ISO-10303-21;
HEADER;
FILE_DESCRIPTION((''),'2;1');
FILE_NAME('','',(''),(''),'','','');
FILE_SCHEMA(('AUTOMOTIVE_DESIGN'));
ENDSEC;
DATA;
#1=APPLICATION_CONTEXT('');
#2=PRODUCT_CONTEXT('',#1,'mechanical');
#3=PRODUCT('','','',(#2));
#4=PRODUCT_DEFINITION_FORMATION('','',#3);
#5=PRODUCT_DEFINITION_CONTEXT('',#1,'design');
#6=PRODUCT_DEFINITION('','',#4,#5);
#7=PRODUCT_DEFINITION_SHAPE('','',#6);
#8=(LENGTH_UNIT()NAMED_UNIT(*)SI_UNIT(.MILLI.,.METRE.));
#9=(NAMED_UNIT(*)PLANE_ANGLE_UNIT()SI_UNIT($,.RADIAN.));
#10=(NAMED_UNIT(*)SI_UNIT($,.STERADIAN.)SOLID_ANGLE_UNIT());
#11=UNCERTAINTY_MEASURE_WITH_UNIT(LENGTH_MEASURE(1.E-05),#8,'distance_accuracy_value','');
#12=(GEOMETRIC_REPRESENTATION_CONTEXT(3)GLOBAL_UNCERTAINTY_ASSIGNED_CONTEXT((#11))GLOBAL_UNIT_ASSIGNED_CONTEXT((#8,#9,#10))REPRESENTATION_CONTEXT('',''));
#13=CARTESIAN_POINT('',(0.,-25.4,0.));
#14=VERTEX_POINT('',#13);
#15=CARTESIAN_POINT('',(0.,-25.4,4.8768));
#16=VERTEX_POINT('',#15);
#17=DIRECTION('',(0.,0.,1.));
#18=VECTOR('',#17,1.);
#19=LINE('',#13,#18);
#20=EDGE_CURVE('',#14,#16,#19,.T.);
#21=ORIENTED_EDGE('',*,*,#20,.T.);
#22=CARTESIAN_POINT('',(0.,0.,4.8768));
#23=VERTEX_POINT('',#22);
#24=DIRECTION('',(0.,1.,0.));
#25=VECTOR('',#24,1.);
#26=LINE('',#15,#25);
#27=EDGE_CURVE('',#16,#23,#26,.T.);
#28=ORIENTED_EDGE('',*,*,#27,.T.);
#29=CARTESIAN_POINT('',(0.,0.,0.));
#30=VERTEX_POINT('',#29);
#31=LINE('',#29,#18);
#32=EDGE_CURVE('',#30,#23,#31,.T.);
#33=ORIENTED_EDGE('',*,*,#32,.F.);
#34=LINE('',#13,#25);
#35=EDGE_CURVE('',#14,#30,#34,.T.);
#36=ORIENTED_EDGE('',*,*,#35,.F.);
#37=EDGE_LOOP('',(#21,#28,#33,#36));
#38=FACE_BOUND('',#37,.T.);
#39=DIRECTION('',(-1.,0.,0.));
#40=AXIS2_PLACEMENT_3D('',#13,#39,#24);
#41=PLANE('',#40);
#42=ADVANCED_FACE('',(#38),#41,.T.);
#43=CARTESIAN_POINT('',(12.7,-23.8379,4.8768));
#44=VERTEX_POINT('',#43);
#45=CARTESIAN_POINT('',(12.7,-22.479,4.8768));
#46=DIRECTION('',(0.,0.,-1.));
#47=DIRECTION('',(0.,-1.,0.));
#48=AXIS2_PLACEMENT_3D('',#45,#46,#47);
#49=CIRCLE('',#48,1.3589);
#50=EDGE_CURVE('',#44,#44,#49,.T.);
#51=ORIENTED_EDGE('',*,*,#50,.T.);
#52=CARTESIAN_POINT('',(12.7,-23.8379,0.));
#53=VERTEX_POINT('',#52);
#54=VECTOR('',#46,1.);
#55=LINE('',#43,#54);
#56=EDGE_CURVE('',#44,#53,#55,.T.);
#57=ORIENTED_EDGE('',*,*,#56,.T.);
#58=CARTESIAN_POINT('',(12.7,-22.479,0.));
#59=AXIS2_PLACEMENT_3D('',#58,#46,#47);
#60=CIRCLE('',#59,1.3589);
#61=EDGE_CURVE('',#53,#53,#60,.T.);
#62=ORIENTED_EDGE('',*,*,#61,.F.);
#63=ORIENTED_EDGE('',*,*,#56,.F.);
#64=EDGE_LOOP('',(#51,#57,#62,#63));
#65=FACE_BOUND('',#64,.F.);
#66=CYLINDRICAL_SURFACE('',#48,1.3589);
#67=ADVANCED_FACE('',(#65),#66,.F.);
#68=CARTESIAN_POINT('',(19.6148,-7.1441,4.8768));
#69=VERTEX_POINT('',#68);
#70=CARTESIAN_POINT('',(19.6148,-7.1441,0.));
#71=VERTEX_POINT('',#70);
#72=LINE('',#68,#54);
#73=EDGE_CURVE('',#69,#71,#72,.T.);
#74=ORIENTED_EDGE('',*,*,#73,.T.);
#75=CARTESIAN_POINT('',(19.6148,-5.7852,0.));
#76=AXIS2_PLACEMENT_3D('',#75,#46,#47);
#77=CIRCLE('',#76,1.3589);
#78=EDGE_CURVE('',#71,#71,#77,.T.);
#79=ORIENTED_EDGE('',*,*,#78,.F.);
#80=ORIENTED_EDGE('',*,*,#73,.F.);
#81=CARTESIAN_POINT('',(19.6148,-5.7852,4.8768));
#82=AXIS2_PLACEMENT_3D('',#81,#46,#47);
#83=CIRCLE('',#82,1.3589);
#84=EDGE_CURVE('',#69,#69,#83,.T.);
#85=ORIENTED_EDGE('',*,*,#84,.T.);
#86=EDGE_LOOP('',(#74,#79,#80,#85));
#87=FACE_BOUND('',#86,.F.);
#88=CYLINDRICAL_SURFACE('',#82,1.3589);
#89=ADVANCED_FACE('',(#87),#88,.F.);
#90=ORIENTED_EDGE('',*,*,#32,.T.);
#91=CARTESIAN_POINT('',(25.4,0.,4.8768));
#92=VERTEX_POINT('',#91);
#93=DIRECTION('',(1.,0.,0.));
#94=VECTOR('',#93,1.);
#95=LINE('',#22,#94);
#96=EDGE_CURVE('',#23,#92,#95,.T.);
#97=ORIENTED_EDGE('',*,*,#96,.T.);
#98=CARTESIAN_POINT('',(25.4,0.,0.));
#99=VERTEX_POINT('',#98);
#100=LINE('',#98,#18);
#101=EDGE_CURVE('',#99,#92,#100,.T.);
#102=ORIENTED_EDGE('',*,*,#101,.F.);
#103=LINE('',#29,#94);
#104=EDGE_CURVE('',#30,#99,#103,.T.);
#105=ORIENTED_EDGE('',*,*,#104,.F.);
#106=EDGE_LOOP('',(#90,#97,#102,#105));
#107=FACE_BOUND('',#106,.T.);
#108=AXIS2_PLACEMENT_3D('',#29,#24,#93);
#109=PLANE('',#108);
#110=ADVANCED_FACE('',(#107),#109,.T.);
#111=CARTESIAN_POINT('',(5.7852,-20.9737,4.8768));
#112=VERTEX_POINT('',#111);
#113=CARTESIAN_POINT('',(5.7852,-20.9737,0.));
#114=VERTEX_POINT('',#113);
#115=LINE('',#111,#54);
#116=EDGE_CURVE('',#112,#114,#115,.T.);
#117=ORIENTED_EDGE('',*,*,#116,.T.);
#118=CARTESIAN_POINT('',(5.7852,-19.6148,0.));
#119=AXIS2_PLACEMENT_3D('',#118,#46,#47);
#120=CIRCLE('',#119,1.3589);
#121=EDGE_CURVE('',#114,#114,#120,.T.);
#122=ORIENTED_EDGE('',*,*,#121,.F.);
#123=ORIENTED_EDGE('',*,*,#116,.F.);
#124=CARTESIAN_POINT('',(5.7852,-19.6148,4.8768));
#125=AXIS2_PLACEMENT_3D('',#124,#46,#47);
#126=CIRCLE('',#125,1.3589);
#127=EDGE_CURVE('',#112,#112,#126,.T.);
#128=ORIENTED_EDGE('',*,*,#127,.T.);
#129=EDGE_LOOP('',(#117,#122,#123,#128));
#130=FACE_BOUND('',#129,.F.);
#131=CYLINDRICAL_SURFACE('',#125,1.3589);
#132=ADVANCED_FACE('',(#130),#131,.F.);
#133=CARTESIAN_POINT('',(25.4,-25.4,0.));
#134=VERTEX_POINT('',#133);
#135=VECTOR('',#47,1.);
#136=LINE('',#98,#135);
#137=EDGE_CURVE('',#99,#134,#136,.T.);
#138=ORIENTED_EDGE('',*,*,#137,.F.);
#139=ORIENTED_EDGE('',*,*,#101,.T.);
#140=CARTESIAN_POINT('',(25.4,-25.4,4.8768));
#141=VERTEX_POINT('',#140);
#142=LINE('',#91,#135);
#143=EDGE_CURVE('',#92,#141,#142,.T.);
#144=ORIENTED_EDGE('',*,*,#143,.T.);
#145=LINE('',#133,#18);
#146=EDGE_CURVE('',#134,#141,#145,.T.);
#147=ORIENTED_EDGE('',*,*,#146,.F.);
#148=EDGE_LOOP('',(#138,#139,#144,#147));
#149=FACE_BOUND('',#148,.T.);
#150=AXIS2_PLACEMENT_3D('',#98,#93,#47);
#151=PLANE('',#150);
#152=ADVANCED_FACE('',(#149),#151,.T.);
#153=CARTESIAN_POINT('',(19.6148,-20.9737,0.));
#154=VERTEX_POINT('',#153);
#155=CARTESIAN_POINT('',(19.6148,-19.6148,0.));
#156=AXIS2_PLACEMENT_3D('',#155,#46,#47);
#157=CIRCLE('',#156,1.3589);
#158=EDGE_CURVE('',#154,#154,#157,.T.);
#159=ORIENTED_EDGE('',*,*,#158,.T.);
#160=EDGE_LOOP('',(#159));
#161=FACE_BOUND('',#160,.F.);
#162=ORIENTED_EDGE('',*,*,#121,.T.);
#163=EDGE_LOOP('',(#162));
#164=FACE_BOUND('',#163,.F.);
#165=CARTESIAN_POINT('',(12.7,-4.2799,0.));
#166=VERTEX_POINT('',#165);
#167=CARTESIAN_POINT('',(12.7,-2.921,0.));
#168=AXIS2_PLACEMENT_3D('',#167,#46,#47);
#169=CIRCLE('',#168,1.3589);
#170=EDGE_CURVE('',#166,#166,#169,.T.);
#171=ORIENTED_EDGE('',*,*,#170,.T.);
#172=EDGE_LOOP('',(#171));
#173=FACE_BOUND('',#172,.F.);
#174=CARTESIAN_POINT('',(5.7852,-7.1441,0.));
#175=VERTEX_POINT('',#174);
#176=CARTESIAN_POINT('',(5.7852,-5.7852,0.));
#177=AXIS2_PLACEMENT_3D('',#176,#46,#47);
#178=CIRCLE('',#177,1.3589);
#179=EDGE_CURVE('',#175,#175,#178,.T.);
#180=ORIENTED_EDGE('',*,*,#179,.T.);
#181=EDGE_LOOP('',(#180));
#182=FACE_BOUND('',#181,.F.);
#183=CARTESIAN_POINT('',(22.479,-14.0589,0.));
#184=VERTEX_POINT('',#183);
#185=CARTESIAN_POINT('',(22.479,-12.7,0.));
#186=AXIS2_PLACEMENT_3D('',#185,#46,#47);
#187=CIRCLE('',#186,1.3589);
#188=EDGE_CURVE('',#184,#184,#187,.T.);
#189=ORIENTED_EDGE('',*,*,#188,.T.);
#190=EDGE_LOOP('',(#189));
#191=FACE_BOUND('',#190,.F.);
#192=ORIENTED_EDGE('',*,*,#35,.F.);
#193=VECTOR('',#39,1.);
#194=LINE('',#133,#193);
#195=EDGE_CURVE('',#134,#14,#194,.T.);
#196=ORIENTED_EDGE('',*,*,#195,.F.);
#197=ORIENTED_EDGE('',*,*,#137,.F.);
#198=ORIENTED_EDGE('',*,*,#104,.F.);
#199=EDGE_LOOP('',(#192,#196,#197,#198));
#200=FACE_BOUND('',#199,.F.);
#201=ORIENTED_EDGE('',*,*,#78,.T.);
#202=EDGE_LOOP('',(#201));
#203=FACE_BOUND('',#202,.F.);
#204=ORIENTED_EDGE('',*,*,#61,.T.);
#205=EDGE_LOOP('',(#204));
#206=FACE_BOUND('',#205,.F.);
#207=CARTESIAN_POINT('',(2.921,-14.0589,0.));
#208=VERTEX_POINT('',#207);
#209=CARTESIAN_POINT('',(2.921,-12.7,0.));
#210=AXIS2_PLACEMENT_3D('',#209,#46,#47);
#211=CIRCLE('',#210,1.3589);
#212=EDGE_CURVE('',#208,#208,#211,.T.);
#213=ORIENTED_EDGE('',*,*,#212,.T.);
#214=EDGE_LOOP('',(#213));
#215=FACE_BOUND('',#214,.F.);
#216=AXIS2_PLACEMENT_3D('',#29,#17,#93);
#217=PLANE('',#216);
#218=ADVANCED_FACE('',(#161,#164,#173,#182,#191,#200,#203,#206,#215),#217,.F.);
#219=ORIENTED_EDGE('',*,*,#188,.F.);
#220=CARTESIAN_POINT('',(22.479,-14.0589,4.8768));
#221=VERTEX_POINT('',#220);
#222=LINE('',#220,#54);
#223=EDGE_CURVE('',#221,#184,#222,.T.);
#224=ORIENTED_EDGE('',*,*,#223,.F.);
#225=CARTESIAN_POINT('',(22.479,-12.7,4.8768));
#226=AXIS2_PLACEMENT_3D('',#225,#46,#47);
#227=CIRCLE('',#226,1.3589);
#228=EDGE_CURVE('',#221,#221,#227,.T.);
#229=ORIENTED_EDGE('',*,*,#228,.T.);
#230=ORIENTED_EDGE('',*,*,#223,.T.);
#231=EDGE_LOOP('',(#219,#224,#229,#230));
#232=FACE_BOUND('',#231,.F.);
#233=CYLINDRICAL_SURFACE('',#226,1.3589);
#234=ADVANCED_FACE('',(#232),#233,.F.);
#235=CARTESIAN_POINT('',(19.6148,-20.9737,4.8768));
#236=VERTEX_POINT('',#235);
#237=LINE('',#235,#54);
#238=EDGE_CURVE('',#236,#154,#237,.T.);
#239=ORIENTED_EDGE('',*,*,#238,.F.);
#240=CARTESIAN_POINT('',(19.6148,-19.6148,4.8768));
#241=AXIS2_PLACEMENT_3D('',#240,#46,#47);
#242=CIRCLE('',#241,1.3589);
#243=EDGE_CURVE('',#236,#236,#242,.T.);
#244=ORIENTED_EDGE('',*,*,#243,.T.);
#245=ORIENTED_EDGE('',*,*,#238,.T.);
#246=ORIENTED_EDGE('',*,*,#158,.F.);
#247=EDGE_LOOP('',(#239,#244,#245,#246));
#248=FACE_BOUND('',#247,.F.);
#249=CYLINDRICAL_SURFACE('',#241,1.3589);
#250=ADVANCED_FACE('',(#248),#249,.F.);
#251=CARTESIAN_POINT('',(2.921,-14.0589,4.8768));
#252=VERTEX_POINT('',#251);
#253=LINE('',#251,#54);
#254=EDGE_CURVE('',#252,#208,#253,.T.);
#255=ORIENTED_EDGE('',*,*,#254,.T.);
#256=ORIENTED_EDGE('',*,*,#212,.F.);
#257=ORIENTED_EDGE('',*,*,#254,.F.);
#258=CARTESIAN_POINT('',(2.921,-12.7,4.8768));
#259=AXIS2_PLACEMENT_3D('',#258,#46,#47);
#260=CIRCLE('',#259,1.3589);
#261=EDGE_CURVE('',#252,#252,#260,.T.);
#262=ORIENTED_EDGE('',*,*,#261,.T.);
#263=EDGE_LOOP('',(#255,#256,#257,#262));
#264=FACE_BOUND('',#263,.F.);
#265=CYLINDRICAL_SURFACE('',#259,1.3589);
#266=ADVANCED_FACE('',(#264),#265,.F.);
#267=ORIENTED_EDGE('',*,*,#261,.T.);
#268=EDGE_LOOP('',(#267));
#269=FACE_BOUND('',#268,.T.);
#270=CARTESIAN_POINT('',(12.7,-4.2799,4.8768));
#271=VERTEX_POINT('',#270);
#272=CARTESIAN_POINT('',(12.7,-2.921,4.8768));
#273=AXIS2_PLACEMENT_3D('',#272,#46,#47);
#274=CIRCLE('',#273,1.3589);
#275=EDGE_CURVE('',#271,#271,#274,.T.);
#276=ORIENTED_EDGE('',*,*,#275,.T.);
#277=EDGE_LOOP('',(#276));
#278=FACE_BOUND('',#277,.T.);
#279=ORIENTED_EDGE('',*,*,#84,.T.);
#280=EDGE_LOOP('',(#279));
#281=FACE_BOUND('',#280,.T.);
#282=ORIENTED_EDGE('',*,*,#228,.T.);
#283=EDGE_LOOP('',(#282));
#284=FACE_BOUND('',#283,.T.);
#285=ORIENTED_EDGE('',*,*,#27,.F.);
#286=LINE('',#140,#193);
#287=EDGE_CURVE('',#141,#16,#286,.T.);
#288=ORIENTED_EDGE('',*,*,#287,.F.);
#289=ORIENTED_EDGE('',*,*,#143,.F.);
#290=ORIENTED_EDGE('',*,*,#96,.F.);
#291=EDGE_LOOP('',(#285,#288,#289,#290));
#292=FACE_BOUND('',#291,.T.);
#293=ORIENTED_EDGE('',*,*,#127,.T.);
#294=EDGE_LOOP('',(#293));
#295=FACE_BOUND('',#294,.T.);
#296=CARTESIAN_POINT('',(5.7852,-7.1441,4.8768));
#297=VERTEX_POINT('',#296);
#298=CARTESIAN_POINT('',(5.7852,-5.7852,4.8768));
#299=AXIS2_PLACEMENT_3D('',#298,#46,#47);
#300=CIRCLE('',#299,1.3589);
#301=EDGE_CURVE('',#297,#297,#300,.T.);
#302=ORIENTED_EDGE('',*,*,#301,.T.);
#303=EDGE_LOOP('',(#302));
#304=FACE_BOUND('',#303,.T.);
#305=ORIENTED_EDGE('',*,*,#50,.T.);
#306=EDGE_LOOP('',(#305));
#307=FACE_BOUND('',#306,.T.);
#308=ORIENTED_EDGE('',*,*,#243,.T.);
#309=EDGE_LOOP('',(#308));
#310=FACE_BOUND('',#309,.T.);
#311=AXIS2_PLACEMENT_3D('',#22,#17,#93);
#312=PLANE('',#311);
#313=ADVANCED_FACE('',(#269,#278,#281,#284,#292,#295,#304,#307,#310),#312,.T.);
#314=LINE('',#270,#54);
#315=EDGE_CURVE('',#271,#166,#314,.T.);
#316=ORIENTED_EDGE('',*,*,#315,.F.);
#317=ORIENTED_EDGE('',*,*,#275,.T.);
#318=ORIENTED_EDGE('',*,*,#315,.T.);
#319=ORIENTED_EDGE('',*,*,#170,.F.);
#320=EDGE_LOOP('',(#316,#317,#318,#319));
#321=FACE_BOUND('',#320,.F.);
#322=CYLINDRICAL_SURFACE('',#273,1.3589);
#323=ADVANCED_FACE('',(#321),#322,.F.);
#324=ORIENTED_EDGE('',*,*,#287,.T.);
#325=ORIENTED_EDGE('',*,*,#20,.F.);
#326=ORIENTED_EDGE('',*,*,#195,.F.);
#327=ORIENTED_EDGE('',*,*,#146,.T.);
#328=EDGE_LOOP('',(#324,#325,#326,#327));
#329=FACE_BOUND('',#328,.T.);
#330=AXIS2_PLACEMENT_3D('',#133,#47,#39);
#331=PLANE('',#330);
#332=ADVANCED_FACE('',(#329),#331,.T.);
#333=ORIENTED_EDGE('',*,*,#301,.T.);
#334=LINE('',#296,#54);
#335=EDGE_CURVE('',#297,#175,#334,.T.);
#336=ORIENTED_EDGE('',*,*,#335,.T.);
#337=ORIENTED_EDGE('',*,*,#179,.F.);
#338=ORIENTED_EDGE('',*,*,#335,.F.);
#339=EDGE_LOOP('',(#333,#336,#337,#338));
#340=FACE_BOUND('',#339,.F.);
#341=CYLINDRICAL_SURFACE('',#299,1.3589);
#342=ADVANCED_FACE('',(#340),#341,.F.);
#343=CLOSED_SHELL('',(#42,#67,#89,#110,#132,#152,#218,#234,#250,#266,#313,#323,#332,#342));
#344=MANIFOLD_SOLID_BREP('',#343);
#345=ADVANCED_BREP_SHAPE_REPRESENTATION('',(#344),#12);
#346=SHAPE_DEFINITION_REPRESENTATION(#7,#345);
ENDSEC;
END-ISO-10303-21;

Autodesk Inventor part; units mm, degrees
ref_plane "YZ Plane" through (0, 0, 0) normal (1, 0, 0) x (0, 1, 0)
ref_plane "XZ Plane" through (0, 0, 0) normal (0, 1, 0) x (-1, 0, 0)
ref_plane "XY Plane" through (0, 0, 0) normal (0, 0, 1) x (1, 0, 0)
sketch "Sketch1" plane through (0, 0, 0) normal (0, 0, 1) x (1, 0, 0)
  line L0 (0, 0) -> (25.4, 0)
  line L1 (25.4, 0) -> (25.4, -25.4)
  line L2 (25.4, -25.4) -> (0, -25.4)
  line L3 (0, -25.4) -> (0, 0)
  dimension "d0" = 25.4
  dimension "d1" = 25.4
extrude "Extrusion1" add sketch "Sketch1" along normal blind 4.8768
sketch "Sketch2" plane through (0, 0, 4.8768) normal (0, 0, 1) x (1, 0, 0)
  line L0 (0, 0) -> (0, -25.4) projected
  line L1 (0, -12.7) -> (12.7, -12.7)
  line L2 (12.7, -12.7) -> (12.7, -2.921)
  point P0 (5.7852, -5.7852)
  point P1 (2.921, -12.7)
  point P2 (5.7852, -19.6148)
  point P3 (12.7, -22.479)
  point P4 (19.6148, -19.6148)
  point P5 (22.479, -12.7)
  point P6 (19.6148, -5.7852)
  dimension "d4" = 12.7
  dimension "d5" = 9.779
  dimension "d15" = 360
hole "Hole1" at (12.7, -2.921, 4.8768) at (19.6148, -5.7852, 4.8768) at (22.479, -12.7, 4.8768) at (19.6148, -19.6148, 4.8768) at (12.7, -22.479, 4.8768) at (5.7852, -19.6148, 4.8768) at (2.921, -12.7, 4.8768) at (5.7852, -5.7852, 4.8768) direction (0, 0, -1) diameter 2.7178 depth 25.4 tip angle 118
sketch "Sketch3" plane through (0, 0, 4.8768) normal (0, 0, 1) x (1, 0, 0)
  point P0 (0, 0)
properties part number "GlyphtPlateAttachment"
